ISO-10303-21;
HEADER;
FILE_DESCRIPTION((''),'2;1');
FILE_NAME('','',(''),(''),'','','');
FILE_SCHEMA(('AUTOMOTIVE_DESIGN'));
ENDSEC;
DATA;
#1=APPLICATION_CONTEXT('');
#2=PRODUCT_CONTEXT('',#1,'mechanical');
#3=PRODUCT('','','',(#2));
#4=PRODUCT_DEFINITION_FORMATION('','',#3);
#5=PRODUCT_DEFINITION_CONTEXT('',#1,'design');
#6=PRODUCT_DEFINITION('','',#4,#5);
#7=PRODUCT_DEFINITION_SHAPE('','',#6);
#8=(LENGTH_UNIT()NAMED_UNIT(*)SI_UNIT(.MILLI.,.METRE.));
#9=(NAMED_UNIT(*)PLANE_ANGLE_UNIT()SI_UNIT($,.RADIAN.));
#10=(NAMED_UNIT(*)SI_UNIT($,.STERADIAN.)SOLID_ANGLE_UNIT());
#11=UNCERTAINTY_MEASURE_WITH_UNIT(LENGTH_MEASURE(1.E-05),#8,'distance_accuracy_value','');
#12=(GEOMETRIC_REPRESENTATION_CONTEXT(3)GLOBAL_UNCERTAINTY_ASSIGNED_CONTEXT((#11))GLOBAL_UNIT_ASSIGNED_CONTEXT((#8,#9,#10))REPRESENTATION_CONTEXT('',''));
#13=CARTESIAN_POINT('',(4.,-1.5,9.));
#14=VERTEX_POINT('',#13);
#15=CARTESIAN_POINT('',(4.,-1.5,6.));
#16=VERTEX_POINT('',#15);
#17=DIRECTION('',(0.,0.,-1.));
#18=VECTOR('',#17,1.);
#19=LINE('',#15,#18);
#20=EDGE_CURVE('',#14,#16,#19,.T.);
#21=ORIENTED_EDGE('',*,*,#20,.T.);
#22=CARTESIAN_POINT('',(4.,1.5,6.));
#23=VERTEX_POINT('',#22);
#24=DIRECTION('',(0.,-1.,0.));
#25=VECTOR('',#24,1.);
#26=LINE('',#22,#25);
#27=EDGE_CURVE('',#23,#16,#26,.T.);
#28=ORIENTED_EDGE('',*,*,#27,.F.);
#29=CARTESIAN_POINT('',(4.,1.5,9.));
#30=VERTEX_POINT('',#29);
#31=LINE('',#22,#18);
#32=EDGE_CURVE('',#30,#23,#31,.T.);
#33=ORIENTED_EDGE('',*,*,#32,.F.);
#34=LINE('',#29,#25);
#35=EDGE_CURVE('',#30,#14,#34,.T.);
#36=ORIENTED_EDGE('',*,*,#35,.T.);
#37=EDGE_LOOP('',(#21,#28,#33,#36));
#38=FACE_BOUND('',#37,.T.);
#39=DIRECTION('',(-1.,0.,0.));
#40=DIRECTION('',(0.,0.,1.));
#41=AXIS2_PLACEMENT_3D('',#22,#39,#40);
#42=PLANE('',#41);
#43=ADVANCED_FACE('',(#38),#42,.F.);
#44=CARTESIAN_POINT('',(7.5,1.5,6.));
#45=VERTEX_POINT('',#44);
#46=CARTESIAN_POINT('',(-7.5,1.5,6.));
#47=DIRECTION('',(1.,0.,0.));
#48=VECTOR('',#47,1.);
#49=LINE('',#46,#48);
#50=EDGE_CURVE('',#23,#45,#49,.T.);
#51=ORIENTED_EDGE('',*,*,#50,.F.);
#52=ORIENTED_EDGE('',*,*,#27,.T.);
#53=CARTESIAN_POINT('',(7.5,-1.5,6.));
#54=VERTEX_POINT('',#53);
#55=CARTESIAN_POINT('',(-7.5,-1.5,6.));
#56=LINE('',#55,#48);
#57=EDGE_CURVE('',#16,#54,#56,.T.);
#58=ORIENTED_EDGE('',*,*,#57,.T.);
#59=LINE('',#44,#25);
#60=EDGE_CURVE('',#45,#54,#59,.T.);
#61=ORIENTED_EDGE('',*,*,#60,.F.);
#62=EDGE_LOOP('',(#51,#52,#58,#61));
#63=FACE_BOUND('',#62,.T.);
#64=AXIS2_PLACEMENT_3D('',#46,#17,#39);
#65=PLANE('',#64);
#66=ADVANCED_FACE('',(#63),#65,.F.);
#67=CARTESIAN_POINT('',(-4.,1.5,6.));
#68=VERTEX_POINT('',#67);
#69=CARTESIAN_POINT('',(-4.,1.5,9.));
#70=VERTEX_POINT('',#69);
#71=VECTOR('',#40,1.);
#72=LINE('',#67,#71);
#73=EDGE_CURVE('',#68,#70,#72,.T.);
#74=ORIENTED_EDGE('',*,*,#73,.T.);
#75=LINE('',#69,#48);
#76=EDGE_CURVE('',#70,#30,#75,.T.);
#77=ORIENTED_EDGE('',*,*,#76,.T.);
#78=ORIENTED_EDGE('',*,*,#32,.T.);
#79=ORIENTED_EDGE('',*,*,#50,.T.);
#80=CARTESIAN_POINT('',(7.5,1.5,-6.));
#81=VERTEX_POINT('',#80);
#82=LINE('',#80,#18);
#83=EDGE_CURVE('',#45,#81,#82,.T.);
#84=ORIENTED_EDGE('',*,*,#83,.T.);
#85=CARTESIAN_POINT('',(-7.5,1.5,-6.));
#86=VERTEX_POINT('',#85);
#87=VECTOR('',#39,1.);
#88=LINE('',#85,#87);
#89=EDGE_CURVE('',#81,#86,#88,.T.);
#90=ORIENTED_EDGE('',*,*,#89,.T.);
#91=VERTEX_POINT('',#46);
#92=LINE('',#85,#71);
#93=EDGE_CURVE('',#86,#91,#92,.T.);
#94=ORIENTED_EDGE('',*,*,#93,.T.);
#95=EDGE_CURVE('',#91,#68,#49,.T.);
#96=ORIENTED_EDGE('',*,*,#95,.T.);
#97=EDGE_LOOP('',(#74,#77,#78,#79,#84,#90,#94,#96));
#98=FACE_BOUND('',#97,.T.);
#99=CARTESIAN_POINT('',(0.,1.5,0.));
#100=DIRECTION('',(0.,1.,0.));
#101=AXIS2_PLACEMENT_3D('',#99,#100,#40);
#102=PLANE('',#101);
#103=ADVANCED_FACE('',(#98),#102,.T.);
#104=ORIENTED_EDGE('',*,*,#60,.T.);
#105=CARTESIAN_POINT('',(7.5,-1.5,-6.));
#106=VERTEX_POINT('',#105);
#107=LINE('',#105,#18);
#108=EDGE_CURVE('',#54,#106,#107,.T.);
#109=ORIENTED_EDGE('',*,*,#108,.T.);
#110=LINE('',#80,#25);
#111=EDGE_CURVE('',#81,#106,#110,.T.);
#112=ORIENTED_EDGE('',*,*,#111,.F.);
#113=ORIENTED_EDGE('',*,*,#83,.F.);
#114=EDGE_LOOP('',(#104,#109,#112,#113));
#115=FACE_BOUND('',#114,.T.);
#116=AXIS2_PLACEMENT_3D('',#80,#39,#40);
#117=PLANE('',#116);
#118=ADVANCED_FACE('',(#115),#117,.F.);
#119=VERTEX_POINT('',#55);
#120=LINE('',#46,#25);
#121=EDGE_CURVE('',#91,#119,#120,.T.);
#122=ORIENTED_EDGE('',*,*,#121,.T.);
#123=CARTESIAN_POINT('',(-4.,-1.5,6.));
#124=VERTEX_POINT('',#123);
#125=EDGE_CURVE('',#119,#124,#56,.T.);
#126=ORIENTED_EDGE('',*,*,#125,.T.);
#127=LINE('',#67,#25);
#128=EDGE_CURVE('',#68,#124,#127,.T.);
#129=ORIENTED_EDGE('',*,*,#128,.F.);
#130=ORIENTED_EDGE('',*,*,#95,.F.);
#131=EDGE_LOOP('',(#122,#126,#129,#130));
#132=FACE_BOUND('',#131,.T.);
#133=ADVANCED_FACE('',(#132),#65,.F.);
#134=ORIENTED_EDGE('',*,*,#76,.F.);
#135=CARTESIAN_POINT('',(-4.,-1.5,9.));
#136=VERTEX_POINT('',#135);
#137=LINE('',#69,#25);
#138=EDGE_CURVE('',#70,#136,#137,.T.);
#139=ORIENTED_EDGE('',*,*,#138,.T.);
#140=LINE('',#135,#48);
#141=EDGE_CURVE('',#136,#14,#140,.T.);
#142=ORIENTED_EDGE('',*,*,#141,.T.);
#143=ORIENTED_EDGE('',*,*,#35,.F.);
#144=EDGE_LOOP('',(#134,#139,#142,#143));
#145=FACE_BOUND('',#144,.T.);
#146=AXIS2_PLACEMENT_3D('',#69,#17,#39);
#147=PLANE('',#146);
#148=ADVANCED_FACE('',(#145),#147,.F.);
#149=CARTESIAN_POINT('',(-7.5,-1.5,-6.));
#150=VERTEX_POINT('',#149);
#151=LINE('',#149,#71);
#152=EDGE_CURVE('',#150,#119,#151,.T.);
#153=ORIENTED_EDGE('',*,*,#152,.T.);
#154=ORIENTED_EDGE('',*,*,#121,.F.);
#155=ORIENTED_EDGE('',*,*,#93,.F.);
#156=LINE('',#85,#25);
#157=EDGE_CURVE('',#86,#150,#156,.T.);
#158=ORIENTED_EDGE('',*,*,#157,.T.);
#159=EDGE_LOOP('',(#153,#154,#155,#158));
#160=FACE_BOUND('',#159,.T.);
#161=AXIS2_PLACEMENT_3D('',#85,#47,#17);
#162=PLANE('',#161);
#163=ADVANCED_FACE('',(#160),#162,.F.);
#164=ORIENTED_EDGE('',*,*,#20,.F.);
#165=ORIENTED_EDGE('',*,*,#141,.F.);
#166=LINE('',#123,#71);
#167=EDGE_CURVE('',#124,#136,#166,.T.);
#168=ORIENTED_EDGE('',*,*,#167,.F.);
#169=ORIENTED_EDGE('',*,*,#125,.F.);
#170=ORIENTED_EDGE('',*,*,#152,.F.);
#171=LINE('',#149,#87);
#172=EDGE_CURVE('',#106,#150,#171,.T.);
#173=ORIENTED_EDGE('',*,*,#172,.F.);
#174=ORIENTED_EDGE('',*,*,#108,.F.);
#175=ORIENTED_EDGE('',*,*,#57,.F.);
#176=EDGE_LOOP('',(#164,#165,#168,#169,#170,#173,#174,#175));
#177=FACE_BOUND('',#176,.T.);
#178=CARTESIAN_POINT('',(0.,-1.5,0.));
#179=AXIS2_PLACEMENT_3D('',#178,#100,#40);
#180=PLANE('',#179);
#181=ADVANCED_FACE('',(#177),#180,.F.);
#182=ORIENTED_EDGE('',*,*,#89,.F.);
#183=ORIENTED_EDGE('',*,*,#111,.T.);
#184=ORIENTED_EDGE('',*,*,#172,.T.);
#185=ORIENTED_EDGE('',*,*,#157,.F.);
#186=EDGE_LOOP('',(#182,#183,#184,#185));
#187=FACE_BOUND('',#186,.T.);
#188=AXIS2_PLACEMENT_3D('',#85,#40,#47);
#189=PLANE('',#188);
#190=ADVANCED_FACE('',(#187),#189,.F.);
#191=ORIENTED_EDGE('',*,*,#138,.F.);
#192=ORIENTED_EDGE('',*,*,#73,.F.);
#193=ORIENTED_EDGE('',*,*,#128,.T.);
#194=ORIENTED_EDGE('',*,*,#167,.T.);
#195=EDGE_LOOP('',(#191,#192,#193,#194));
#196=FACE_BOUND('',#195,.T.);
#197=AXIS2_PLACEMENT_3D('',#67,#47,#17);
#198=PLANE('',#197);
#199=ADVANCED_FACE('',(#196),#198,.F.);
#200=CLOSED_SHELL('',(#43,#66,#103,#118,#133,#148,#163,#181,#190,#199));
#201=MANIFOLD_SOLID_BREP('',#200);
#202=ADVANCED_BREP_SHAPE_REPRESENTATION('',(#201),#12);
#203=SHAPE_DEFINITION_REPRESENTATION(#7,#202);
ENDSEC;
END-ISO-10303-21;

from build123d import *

# Parameters (mm, degrees)
SKETCH6_W           = 15
SKETCH6_H           = 12
BOSS_EXTRUDE4_DEPTH = 1.5
SKETCH8_W           = 8
SKETCH8_H           = 3
BOSS_EXTRUDE5_DEPTH = 1.5


with BuildPart() as part:
    # Sketch6 → Boss-Extrude4 (new body, symmetric)
    with BuildSketch(Plane(origin=(0, 0, 0), x_dir=(1, 0, 0), z_dir=(0, 1, 0))):
        Rectangle(SKETCH6_W, SKETCH6_H)
    extrude(amount=BOSS_EXTRUDE4_DEPTH, both=True)

    # Sketch8 → Boss-Extrude5 (add, symmetric)
    with BuildSketch(Plane(origin=(0, 0, 0), x_dir=(1, 0, 0), z_dir=(0, 1, 0))):
        with Locations((0, -7.5)):
            Rectangle(SKETCH8_W, SKETCH8_H)
    extrude(amount=BOSS_EXTRUDE5_DEPTH, both=True)


solid = part.part
